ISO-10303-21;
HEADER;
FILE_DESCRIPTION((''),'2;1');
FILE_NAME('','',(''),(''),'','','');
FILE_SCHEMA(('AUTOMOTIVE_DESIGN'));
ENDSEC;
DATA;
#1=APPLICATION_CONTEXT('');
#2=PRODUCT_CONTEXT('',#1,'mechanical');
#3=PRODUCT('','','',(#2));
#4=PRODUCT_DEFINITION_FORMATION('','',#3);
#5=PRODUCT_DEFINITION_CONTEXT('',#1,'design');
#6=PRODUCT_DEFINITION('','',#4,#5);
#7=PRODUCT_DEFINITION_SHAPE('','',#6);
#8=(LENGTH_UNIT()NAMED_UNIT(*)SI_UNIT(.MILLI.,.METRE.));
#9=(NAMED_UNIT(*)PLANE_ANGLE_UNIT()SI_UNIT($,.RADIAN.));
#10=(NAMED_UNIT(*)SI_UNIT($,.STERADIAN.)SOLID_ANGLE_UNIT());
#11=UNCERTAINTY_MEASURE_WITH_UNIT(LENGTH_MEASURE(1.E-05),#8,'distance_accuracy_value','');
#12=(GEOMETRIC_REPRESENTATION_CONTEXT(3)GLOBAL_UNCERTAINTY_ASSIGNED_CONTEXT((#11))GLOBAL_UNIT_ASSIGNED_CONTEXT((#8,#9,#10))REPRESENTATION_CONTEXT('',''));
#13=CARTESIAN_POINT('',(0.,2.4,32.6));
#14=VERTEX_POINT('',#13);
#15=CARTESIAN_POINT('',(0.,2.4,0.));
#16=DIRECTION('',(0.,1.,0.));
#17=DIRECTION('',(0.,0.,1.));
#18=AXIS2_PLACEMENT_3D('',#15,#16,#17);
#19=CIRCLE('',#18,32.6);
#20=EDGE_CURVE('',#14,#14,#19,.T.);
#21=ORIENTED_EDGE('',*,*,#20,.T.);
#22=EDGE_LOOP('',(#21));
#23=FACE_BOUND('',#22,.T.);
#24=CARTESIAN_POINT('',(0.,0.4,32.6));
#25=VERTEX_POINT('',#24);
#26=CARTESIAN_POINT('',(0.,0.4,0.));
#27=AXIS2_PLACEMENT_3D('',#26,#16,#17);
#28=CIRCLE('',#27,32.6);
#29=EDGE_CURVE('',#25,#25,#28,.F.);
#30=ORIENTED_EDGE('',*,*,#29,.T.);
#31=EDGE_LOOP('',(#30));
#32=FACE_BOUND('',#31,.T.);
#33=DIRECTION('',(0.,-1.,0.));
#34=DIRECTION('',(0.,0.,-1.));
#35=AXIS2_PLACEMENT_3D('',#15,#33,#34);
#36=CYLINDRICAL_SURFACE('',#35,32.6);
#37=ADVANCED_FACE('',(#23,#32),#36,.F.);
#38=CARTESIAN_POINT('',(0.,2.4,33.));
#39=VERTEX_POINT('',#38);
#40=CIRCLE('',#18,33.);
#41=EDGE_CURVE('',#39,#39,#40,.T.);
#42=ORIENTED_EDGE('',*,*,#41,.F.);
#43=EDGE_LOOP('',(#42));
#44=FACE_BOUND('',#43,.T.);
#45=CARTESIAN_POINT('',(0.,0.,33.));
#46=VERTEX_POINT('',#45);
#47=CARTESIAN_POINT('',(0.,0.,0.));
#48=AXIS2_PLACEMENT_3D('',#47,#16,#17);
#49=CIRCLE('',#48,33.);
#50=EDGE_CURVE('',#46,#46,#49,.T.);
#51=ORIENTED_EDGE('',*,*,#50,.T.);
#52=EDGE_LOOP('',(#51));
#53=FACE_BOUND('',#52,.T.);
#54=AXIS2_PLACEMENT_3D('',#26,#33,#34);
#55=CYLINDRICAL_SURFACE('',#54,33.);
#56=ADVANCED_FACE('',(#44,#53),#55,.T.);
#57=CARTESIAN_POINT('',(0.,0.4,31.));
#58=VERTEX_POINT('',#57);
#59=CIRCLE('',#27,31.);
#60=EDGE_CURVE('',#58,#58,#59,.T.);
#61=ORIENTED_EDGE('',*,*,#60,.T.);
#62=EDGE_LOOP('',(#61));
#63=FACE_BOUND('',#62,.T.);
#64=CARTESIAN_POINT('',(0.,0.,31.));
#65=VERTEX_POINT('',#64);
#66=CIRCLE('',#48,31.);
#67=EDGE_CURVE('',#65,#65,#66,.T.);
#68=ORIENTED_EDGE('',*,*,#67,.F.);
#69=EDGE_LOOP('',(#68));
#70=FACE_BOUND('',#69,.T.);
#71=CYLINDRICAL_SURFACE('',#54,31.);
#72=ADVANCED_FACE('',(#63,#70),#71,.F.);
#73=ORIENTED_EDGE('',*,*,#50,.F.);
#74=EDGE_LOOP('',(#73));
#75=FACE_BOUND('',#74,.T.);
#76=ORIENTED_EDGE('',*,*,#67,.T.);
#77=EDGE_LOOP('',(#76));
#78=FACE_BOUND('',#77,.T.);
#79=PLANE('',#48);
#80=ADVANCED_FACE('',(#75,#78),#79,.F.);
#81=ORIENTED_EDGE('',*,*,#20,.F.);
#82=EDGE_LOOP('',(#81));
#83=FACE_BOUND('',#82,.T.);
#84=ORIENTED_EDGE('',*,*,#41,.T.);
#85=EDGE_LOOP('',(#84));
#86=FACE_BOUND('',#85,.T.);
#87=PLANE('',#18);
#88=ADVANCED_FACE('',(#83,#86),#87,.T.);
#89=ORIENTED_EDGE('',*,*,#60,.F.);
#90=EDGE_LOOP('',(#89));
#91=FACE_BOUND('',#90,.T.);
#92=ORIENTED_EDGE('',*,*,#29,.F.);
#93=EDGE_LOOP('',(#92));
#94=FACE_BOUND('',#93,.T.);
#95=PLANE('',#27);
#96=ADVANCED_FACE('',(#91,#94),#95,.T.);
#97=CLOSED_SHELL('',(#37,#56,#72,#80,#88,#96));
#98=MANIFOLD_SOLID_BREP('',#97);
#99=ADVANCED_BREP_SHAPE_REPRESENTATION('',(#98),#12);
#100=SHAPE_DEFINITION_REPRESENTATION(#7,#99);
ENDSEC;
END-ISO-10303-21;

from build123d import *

# Parameters (mm, degrees)
SKETCH1_R           = 33
SKETCH1_R_2         = 31
BOSS_EXTRUDE1_DEPTH = 0.4
SKETCH2_R           = 33
SKETCH2_R_2         = 32.6
BOSS_EXTRUDE2_DEPTH = 2


with BuildPart() as part:
    # Sketch1 → Boss-Extrude1 (new body)
    with BuildSketch(Plane(origin=(0, 0, 0), x_dir=(1, 0, 0), z_dir=(0, 1, 0))):
        with Locations(Location((0, 0, 0), (0, 0, 270))):
            Circle(SKETCH1_R)
        with Locations(Location((0, 0, 0), (0, 0, 270))):
            Circle(SKETCH1_R_2, mode=Mode.SUBTRACT)
    extrude(amount=BOSS_EXTRUDE1_DEPTH)

    # Sketch2 → Boss-Extrude2 (add)
    with BuildSketch(Plane(origin=(0, 0.4, 0), x_dir=(1, 0, 0), z_dir=(0, 1, 0))):
        with Locations(Location((0, 0, 0), (0, 0, 270))):
            Circle(SKETCH2_R)
        with Locations(Location((0, 0, 0), (0, 0, 270))):
            Circle(SKETCH2_R_2, mode=Mode.SUBTRACT)
    extrude(amount=BOSS_EXTRUDE2_DEPTH)


solid = part.part
